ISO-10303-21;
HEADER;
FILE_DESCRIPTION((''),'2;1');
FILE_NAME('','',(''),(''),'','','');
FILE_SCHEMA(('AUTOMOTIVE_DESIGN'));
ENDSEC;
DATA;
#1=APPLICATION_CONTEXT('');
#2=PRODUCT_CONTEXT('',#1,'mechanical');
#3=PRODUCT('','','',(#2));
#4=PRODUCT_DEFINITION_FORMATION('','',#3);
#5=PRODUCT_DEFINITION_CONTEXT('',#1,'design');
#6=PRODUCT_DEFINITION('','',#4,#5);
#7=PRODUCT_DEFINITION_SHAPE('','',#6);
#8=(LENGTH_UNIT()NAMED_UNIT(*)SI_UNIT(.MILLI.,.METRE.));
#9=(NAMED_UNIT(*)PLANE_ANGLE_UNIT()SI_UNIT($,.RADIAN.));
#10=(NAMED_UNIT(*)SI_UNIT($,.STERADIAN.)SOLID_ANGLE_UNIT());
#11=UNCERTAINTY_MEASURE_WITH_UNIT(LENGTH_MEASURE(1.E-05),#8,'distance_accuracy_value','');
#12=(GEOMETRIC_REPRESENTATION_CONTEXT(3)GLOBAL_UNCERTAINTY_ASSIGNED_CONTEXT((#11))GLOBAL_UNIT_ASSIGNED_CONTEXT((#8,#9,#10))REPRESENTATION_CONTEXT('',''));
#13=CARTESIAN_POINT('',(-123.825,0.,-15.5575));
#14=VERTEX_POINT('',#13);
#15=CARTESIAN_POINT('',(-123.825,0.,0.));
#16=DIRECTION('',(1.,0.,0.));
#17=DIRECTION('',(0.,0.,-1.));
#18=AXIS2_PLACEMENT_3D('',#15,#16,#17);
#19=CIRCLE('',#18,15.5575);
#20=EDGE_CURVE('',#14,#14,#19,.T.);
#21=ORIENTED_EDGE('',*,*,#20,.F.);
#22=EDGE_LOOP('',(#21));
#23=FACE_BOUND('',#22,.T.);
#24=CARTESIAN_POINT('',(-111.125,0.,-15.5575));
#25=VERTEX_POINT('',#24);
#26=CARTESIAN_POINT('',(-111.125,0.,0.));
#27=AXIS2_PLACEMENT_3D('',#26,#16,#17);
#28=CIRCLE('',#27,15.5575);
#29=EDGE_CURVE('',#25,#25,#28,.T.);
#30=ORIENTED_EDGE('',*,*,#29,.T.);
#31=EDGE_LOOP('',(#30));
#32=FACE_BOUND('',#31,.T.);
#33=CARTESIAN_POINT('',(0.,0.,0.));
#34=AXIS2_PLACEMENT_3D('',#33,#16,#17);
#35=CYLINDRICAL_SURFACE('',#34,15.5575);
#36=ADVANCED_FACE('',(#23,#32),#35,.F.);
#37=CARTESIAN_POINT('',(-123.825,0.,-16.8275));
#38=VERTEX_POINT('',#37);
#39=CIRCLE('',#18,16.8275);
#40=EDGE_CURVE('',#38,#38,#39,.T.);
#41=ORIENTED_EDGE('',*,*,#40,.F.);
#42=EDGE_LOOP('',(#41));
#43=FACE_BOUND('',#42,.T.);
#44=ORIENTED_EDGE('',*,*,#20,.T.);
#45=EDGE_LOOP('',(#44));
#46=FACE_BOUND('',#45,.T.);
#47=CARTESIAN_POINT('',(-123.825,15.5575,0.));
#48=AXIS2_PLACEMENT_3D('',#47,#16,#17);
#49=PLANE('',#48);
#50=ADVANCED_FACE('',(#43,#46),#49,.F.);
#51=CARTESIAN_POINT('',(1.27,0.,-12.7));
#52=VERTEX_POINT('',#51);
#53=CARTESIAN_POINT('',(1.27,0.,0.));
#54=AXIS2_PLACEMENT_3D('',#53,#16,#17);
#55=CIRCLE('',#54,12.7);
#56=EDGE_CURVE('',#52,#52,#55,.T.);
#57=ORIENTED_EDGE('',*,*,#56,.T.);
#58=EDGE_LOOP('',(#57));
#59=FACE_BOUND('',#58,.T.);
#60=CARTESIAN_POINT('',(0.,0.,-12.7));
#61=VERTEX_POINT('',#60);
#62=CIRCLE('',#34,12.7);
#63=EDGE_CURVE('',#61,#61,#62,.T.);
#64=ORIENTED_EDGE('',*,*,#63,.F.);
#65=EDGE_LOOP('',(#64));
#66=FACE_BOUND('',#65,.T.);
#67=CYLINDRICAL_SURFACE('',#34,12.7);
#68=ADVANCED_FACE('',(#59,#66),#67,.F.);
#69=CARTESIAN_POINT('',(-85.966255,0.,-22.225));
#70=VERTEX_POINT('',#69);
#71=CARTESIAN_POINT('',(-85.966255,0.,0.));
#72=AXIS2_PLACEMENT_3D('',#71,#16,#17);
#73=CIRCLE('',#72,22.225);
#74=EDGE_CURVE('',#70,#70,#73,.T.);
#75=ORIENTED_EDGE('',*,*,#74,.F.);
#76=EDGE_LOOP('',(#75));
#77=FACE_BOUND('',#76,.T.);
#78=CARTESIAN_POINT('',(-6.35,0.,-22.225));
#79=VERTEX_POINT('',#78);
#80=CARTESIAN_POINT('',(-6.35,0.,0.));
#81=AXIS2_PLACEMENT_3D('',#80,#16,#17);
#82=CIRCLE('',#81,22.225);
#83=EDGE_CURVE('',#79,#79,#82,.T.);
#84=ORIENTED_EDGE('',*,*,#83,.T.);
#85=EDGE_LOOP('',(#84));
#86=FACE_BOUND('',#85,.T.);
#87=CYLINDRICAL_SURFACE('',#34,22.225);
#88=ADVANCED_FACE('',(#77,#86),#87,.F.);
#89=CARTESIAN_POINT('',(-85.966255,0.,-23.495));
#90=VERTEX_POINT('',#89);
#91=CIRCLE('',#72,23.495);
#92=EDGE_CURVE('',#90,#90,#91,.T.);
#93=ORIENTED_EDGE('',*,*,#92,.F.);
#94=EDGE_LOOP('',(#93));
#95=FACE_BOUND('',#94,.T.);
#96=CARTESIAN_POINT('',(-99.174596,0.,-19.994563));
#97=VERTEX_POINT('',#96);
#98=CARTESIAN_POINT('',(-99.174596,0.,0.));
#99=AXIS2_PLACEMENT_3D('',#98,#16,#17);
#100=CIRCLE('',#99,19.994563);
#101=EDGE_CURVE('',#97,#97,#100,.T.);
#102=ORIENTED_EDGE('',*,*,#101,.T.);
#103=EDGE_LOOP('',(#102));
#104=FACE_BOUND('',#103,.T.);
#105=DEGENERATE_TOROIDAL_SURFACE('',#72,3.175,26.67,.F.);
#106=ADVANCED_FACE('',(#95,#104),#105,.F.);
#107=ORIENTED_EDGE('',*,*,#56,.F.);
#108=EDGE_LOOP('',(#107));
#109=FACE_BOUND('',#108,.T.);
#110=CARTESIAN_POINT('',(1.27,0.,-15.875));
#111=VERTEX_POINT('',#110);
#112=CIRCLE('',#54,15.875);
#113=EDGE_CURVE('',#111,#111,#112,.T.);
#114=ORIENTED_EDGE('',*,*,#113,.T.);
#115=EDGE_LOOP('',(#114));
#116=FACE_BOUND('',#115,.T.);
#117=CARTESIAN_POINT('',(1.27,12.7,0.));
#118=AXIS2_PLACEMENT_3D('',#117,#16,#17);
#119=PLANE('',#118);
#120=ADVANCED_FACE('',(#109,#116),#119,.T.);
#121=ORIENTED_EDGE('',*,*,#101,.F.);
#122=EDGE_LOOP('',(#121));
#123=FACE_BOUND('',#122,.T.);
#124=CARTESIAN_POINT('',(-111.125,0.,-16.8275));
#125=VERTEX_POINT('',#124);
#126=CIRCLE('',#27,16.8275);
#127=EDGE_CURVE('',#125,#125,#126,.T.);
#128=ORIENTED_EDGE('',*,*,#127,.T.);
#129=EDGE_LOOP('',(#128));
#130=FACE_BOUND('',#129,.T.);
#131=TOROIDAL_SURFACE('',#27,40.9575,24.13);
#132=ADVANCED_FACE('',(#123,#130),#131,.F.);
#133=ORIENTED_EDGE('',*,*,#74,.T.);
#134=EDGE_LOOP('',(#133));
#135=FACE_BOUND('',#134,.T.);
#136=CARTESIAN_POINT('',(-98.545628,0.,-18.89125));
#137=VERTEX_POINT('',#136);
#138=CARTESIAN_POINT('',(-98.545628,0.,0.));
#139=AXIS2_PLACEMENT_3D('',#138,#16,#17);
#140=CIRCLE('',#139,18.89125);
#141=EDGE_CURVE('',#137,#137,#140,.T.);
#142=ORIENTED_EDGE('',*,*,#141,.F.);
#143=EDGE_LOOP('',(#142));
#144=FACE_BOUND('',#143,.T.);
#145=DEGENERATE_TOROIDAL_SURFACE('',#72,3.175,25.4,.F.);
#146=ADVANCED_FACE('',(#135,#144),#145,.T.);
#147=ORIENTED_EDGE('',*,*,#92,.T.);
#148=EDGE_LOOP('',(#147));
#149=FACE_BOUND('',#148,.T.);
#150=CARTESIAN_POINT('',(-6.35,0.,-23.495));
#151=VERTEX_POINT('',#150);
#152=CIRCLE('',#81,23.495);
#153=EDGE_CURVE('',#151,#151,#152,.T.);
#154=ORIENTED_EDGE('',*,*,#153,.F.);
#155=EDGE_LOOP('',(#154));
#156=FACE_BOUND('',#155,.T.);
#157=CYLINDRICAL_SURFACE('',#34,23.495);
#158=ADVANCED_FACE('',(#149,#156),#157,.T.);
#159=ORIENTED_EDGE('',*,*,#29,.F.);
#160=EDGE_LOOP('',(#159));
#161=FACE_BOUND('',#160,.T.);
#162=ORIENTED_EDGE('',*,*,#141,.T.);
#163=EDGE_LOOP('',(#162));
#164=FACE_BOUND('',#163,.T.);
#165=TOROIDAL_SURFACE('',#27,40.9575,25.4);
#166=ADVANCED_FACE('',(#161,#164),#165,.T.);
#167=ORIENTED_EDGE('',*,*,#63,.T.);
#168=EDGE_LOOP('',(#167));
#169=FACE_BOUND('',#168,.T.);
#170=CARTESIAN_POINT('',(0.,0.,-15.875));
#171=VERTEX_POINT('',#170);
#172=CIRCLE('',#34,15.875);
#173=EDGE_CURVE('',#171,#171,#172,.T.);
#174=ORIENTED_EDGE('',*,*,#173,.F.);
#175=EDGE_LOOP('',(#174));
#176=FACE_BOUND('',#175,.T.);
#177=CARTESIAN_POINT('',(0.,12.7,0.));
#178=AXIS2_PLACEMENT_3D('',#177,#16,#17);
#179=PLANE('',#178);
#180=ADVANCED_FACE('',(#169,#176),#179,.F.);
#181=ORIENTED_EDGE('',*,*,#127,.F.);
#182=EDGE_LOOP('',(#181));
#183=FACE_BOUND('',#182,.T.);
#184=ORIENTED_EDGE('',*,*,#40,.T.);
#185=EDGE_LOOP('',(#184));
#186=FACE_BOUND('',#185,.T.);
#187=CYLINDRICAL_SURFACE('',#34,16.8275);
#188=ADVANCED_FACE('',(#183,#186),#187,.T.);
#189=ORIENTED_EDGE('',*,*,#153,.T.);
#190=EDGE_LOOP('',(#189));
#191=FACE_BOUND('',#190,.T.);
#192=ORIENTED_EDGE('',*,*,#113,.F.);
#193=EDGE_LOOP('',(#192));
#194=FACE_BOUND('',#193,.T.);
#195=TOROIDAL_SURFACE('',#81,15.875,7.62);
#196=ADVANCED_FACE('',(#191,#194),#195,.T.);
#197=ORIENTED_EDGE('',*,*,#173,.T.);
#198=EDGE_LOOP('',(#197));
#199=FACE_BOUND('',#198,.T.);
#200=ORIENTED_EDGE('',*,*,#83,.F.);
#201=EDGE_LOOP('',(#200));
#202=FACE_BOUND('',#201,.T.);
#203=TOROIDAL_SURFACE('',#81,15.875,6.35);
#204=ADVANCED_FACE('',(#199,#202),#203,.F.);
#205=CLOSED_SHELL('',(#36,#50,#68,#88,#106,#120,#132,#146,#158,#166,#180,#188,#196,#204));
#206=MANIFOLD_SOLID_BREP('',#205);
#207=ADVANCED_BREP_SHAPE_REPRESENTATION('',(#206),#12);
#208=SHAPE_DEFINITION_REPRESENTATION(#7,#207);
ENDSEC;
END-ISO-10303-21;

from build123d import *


with BuildPart() as part:
    # Sketch1 → Revolve-Thin1 (revolve)
    with BuildSketch(Plane.XY, mode=Mode.PRIVATE) as revolve_thin1_sk:
        with BuildLine():
            Line((0, 12.7), (0, 15.875))
            ThreePointArc((0, 15.875), (-1.859871939, 20.365128061), (-6.35, 22.225))
            Line((-6.35, 22.225), (-85.966255124, 22.225))
            ThreePointArc((-85.966255124, 22.225), (-92.47306886, 21.37742096), (-98.545627562, 18.89125))
            ThreePointArc((-98.545627562, 18.89125), (-104.618186264, 16.40507904), (-111.125, 15.5575))
            Line((-111.125, 15.5575), (-123.825, 15.5575))
            Line((-123.825, 15.5575), (-123.825, 16.8275))
            Line((-123.825, 16.8275), (-111.125, 16.8275))
            ThreePointArc((-111.125, 16.8275), (-104.94352695, 17.632700088), (-99.174596184, 19.9945625))
            ThreePointArc((-99.174596184, 19.9945625), (-92.798409547, 22.605042008), (-85.966255124, 23.495))
            Line((-85.966255124, 23.495), (-6.35, 23.495))
            ThreePointArc((-6.35, 23.495), (-0.961846327, 21.263153673), (1.27, 15.875))
            Line((1.27, 15.875), (1.27, 12.7))
            Line((1.27, 12.7), (0, 12.7))
        make_face()
    revolve(revolve_thin1_sk.sketch.rotate(Axis((0, 0, 0), (-1, 0, 0)), 90), axis=Axis((0, 0, 0), (-1, 0, 0)))


solid = part.part
